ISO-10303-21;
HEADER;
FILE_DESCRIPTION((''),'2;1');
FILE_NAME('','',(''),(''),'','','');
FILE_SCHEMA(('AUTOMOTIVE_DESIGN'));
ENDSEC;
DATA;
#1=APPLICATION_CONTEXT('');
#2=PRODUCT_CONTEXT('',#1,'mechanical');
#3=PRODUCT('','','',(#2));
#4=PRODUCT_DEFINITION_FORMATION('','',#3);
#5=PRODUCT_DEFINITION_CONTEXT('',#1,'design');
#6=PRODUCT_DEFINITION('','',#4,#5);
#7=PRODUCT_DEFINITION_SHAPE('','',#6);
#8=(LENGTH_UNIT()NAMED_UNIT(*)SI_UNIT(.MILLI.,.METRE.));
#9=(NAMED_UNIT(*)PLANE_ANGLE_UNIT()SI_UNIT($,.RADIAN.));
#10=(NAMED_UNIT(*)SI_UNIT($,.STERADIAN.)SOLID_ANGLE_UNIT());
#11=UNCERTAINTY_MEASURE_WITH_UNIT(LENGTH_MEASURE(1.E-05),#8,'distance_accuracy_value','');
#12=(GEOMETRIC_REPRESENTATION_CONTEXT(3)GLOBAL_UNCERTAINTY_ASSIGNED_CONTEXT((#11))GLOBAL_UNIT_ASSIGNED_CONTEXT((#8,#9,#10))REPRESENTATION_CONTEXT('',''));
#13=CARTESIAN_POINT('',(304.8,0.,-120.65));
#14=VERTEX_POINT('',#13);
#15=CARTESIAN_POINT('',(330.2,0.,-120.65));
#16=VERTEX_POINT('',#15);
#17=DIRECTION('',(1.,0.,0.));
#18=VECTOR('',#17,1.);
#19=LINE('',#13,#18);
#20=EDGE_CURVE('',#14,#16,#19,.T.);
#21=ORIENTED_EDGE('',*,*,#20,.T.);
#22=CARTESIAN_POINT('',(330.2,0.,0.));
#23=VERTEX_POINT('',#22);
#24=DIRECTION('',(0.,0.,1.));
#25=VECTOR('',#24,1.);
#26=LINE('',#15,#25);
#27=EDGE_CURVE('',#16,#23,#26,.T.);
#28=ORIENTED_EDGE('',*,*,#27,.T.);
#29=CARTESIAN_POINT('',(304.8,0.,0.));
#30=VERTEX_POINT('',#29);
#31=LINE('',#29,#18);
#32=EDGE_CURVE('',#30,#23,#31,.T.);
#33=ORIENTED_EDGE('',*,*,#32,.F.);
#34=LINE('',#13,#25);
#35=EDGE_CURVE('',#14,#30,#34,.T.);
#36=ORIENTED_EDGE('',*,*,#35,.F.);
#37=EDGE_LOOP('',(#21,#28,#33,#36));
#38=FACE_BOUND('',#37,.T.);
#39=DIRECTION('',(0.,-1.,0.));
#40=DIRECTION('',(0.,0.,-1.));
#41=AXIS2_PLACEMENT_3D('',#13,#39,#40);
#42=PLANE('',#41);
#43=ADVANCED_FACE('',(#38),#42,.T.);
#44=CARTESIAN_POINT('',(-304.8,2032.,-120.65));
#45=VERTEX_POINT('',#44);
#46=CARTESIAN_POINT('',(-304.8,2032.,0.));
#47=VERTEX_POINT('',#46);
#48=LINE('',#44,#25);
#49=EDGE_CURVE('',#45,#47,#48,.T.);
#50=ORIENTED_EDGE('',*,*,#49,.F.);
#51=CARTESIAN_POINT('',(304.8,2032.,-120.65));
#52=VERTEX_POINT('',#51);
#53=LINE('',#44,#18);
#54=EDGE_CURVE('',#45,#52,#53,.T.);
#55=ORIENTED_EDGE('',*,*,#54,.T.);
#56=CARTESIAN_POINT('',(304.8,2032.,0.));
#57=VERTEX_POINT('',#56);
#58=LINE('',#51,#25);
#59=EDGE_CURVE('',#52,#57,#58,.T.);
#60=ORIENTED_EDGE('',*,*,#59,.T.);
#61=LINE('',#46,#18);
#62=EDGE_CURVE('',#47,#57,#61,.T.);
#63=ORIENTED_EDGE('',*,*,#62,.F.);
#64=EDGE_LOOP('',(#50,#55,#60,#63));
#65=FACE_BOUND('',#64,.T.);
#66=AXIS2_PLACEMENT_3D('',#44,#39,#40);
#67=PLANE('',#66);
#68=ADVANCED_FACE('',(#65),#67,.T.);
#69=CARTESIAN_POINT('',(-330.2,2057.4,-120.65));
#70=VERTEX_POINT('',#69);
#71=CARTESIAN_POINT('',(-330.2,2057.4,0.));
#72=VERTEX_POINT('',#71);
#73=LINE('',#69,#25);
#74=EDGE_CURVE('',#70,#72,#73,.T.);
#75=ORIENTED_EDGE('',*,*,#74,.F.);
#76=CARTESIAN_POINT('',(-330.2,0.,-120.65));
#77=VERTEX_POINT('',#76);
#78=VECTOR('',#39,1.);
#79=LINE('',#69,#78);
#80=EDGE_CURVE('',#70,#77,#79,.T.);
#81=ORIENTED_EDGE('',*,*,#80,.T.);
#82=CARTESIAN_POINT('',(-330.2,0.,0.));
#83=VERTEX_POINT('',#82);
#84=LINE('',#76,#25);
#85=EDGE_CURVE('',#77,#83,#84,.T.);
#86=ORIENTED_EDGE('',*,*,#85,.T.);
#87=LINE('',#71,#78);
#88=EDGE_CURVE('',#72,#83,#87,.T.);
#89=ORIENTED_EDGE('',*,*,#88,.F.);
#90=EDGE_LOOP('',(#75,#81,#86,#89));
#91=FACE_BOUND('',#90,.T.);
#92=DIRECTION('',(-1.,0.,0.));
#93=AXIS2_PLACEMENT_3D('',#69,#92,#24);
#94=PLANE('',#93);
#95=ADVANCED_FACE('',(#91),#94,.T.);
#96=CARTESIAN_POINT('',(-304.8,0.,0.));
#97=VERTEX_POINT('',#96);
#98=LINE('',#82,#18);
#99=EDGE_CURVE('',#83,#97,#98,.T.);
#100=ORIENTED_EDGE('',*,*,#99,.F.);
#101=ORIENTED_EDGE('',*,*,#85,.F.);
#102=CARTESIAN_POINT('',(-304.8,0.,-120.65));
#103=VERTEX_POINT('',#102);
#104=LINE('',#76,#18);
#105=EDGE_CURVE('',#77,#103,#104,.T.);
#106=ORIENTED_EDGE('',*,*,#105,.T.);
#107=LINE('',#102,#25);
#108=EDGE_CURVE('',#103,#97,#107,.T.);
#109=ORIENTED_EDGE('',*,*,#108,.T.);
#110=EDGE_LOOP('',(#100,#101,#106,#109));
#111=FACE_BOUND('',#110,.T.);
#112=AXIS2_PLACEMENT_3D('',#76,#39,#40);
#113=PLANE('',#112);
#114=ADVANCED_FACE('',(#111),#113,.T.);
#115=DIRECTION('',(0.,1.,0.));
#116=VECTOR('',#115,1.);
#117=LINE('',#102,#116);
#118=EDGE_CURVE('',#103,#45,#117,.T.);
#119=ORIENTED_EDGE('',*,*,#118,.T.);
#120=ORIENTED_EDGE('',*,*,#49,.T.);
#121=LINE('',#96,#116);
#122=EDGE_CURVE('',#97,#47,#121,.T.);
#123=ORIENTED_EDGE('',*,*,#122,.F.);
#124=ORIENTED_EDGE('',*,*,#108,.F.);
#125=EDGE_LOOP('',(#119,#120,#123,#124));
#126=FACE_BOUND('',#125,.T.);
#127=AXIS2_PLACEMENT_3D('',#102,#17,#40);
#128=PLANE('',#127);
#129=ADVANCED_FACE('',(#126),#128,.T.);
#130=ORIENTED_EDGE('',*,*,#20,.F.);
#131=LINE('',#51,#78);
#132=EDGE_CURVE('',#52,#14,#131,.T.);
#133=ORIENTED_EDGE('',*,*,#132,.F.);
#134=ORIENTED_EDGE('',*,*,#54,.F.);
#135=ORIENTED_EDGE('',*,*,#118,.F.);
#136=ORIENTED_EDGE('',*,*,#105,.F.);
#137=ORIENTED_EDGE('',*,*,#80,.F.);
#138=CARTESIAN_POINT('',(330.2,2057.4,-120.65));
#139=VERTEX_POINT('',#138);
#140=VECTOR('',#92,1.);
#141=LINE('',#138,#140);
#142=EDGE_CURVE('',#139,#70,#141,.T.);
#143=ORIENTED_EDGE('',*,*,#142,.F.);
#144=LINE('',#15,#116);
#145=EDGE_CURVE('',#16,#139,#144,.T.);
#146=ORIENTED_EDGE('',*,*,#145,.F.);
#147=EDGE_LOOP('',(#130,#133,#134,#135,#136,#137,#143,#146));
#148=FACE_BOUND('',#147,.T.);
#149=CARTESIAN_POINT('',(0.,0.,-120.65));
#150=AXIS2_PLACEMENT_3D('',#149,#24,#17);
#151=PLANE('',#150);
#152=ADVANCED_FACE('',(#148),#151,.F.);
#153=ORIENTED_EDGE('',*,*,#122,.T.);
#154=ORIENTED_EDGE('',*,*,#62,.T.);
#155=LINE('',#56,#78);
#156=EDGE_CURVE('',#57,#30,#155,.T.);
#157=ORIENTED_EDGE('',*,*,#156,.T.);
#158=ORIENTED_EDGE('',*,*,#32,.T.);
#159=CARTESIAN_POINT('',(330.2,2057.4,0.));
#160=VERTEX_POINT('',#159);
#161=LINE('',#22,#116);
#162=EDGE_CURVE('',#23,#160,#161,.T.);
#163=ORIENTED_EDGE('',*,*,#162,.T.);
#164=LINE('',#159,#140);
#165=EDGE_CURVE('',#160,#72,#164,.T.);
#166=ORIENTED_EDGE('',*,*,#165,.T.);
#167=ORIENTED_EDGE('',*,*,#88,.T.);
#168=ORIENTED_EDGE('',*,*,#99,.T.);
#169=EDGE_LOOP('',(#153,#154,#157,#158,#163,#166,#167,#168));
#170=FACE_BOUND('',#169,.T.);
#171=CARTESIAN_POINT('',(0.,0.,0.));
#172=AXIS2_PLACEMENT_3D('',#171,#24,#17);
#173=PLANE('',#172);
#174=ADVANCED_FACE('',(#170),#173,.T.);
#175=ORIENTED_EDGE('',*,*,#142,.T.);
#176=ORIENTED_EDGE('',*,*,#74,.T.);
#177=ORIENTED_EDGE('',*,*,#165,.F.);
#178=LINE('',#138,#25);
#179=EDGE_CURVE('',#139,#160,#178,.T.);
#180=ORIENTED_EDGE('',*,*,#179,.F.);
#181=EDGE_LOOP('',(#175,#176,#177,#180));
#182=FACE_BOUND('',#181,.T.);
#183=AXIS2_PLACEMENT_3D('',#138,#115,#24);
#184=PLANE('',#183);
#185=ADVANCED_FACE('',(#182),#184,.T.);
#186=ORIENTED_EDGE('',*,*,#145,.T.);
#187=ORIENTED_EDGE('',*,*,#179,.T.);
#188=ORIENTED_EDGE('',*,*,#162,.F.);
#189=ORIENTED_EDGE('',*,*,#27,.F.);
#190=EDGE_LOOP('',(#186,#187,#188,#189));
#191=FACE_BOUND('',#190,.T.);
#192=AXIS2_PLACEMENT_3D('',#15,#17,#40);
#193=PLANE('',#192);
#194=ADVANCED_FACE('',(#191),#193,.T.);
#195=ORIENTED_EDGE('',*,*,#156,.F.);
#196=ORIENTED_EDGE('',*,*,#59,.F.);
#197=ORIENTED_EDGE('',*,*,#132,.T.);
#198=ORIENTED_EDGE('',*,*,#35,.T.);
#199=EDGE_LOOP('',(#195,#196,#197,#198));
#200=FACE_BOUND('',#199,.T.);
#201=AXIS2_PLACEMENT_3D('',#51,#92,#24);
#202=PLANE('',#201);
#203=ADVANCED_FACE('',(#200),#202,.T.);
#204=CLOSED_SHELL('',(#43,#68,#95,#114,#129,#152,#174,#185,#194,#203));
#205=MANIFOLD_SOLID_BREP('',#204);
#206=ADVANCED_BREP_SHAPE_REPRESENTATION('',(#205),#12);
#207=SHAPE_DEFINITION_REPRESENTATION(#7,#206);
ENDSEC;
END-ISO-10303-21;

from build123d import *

# Parameters (mm, degrees)
BOSS_EXTRUDE1_DEPTH = 120.65


with BuildPart() as part:
    # Sketch1 → Boss-Extrude1 (new body)
    with BuildSketch(Plane.XY):
        Polygon((-304.8, 0), (-304.8, 2032), (304.8, 2032), (304.8, 0), (330.2, 0), (330.2, 2057.4), (-330.2, 2057.4), (-330.2, 0), align=None)
    extrude(amount=-BOSS_EXTRUDE1_DEPTH)


solid = part.part
